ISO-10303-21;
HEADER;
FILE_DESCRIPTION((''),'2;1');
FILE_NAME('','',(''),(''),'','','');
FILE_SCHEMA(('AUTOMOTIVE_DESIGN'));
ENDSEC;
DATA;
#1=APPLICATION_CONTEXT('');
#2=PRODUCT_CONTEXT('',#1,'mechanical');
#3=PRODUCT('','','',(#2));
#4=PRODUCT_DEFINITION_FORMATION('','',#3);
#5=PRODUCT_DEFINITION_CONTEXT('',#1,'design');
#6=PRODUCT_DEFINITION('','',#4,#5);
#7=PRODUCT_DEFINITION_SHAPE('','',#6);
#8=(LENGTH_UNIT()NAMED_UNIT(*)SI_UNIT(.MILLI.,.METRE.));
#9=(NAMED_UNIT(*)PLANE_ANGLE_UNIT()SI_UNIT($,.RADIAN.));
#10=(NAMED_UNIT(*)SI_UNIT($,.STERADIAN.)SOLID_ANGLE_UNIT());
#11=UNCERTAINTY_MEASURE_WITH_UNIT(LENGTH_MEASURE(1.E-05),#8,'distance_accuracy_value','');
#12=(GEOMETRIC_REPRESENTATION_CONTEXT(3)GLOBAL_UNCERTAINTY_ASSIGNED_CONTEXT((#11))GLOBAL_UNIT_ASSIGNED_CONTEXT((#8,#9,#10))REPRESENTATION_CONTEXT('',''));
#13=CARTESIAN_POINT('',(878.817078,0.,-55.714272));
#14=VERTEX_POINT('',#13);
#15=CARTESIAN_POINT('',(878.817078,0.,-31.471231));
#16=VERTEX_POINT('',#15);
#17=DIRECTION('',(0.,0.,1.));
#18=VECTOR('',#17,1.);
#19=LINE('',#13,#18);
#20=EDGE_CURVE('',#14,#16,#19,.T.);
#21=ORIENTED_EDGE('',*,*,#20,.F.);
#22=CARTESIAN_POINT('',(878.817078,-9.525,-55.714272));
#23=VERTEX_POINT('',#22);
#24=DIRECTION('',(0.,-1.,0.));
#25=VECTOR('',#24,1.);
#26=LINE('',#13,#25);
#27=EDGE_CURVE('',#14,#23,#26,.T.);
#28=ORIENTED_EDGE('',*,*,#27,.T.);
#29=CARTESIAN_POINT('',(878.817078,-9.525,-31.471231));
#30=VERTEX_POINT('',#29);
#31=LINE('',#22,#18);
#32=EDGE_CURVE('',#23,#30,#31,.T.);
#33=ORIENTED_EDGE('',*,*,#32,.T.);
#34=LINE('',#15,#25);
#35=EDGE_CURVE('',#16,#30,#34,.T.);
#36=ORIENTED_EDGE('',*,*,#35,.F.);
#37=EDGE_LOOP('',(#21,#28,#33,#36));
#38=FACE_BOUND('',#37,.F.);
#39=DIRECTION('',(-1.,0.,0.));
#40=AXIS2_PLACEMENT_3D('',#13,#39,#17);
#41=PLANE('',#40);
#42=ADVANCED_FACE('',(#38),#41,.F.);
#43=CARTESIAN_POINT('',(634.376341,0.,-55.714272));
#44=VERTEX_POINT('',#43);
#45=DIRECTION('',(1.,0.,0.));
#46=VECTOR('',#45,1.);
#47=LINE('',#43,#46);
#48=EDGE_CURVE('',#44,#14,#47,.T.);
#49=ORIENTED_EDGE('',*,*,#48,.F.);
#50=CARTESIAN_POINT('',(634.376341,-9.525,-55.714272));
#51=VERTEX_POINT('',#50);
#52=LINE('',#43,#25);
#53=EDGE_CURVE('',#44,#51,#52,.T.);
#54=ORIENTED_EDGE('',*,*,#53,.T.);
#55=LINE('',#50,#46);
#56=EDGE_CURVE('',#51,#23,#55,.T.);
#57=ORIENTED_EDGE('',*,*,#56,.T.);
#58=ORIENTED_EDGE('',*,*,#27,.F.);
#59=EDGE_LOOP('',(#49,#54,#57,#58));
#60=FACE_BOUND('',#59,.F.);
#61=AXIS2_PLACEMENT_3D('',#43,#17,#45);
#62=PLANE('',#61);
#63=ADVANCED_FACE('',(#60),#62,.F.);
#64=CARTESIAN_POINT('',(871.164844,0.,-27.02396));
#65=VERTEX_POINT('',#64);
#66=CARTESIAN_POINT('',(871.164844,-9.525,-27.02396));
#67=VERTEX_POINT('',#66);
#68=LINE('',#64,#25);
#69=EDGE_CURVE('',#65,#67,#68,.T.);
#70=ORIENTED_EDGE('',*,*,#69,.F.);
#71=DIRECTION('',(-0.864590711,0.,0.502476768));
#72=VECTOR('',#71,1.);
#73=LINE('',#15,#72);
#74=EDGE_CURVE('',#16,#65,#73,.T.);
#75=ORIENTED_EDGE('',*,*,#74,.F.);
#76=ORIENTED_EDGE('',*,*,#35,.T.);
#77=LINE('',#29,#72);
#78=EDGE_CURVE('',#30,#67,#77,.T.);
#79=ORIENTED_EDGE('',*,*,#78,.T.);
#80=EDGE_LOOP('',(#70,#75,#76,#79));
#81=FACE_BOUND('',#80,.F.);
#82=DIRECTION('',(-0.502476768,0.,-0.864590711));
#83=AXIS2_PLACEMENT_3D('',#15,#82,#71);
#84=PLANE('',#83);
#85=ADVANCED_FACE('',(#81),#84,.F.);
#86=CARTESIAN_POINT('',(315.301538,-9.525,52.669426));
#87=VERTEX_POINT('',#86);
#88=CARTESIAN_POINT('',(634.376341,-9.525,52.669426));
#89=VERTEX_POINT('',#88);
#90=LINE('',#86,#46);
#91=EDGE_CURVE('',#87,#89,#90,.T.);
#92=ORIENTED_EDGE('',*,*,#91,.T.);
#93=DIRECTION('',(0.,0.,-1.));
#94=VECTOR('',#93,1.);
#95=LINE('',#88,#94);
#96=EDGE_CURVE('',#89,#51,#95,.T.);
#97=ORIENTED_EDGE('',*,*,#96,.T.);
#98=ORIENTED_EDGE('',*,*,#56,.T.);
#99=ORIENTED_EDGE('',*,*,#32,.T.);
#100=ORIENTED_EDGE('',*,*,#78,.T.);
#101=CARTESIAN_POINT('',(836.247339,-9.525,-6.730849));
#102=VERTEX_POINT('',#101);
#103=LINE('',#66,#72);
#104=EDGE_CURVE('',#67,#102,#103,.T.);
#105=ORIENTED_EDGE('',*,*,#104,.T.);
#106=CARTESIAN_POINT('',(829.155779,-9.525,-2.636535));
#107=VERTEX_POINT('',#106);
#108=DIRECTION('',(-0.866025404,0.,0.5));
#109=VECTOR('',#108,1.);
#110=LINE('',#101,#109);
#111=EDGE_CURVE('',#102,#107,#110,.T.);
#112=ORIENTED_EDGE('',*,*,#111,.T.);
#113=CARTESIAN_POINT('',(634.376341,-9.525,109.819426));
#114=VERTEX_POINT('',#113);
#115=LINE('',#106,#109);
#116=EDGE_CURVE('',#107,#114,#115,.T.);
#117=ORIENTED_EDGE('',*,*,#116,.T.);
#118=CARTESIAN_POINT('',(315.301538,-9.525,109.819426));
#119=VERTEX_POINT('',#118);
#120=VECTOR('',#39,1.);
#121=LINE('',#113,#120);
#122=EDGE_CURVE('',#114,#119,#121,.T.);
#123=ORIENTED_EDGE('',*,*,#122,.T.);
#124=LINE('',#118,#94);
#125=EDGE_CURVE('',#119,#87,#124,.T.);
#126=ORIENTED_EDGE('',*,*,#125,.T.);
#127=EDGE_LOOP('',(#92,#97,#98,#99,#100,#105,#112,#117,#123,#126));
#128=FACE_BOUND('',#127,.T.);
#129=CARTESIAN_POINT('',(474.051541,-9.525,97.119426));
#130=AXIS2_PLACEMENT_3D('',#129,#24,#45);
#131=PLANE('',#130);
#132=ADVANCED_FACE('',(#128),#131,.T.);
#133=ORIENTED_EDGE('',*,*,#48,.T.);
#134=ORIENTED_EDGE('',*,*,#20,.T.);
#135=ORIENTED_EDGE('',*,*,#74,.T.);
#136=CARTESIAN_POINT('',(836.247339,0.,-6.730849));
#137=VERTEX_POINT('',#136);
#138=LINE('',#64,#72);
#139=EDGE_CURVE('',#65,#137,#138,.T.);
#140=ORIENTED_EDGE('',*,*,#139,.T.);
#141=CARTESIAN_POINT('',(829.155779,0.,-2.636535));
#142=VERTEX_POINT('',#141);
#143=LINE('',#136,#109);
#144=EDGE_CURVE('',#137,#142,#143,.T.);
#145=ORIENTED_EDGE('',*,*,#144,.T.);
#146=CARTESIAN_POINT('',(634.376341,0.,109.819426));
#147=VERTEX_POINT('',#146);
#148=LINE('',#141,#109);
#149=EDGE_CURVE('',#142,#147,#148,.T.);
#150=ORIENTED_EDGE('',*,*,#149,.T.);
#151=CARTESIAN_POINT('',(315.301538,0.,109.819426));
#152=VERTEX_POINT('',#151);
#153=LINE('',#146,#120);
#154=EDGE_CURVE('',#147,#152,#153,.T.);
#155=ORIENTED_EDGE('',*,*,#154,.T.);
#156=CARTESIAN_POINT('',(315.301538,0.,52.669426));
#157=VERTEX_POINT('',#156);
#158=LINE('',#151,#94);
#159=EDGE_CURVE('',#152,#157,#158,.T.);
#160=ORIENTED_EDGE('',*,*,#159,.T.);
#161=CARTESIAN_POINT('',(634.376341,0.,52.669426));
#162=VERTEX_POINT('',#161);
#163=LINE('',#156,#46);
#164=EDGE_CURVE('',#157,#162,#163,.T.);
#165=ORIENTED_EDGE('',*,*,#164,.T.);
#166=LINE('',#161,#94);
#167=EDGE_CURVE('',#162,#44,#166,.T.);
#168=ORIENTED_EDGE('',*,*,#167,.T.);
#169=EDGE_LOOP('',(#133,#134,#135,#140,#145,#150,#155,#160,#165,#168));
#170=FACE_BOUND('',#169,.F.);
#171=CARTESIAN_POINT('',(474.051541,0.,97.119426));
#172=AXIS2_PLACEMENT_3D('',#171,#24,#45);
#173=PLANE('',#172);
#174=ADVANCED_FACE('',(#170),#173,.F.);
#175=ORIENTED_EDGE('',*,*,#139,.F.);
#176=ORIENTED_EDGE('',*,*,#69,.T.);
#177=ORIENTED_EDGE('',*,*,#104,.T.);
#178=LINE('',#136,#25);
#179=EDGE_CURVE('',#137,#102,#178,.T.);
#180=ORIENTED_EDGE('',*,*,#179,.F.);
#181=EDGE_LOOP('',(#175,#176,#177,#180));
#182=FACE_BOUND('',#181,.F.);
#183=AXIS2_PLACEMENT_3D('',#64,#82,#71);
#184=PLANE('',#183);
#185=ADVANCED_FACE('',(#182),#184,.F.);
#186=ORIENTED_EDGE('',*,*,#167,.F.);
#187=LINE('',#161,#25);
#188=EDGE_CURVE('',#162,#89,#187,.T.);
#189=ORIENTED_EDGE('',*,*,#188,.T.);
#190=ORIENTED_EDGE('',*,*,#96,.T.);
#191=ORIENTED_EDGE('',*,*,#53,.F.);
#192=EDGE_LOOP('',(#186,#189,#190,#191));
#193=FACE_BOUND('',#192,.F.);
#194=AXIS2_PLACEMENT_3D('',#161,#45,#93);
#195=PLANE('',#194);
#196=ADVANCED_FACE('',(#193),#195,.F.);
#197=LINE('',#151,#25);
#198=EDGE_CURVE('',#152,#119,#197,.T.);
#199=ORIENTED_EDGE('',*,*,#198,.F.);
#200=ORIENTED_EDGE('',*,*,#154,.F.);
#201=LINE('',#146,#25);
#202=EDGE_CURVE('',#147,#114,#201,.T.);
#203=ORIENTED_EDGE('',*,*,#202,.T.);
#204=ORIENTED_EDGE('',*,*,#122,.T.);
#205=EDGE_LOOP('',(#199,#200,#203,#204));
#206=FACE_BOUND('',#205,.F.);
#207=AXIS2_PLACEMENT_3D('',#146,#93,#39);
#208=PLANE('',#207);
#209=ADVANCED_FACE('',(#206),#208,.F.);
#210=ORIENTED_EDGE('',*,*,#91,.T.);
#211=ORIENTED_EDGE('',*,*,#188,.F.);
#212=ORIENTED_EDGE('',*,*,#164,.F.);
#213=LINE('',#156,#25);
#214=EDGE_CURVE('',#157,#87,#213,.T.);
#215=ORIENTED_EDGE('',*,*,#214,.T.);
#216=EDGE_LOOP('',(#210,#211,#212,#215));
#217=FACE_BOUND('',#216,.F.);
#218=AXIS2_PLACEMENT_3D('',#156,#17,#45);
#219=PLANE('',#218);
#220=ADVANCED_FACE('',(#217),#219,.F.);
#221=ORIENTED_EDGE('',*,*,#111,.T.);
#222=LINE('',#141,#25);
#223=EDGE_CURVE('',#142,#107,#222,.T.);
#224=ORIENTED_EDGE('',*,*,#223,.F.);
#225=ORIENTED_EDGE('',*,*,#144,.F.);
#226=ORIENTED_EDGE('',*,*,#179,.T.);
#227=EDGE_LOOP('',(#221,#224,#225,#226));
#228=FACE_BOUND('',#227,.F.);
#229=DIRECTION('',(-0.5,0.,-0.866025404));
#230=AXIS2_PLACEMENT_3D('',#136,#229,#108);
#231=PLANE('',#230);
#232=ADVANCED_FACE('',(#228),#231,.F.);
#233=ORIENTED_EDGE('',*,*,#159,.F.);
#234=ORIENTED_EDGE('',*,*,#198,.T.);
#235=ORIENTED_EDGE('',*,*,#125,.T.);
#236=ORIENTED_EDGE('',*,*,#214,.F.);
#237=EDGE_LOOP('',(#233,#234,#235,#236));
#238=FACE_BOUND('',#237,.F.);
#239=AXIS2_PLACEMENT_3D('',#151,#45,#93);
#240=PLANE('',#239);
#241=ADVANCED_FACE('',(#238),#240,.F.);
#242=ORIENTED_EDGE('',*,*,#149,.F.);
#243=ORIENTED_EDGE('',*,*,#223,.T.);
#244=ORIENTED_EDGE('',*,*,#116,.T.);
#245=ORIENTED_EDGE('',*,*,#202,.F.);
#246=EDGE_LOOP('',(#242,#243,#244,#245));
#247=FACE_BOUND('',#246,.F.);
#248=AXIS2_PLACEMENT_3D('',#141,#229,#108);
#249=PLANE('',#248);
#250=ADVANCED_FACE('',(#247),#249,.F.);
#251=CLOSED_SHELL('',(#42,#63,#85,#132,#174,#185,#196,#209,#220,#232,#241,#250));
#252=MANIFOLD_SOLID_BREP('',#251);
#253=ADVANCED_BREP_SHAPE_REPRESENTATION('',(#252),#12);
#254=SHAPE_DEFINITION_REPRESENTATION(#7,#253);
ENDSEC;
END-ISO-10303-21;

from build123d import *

# Parameters (mm, degrees)
F0_W     = 304.8
F0_H     = 25.4
F1_DEPTH = 9.525


with BuildPart() as f1:
    # F0 (on Front) → F1 (new body)
    with BuildSketch(Plane.XZ):
        with Locations((474.0515406549, 97.119426218)):
            Rectangle(F0_W, F0_H)
        Polygon((315.3015375137, 52.669426218), (321.6515406549, 52.669426218), (321.6515406549, 84.419426218), (321.6515406549, 109.819426218), (315.3015375137, 109.819426218), align=None)
        Polygon((365.3527498245, 52.669426218), (626.4515406549, 52.669426218), (626.4515406549, 84.419426218), (321.6515406549, 84.419426218), (321.6515406549, 52.669426218), align=None)
        Polygon((626.4515406549, 84.419426218), (626.4515406549, 52.669426218), (634.3763406549, 66.3955824579), (634.3763406549, 109.819426218), (626.4515406549, 109.819426218), align=None)
        Polygon((634.3763406549, 109.819426218), (634.3763406549, 66.3955824579), (642.3265406549, 80.1657327882), (653.179416568, 98.963465278), align=None)
        Polygon((653.179416568, 98.963465278), (642.3265406549, 80.1657327882), (689.9515406549, 52.669426218), (733.3630443075, 52.669426218), align=None)
        Polygon((642.3265406549, 80.1657327882), (634.3763406549, 66.3955824579), (634.3763406549, 52.669426218), (689.9515406549, 52.669426218), align=None)
        Polygon((634.3763406549, 66.3955824579), (626.4515406549, 52.669426218), (634.3763406549, 52.669426218), align=None)
        Polygon((802.4279027039, -48.930573782), (634.3763406549, 48.0940408048), (634.3763406549, -55.7142719626), (807.9667468622, -55.7142719626), (836.2473392138, -6.7308491415), (829.155778617, -2.636534722), (818.3029027039, -21.4342672118), align=None)
        Polygon((634.3763406549, 52.669426218), (634.3763406549, 48.0940408048), (802.4279027039, -48.930573782), (818.3029027039, -21.4342672118), (689.9515406549, 52.669426218), align=None)
        Polygon((733.3630443075, 52.669426218), (689.9515406549, 52.669426218), (818.3029027039, -21.4342672118), (829.155778617, -2.636534722), align=None)
        Polygon((836.2473392138, -6.7308491415), (807.9667468622, -55.7142719626), (824.2119550705, -55.7142719626), (854.6004848789, -55.7142719626), (871.1648442681, -27.0239599059), (848.3022022869, -13.73680994), align=None)
        Polygon((871.1648442681, -27.0239599059), (854.6004848789, -55.7142719626), (878.8170780003, -55.7142719626), (878.8170780003, -31.4712314529), align=None)
    extrude(amount=F1_DEPTH)


solid = f1.part
